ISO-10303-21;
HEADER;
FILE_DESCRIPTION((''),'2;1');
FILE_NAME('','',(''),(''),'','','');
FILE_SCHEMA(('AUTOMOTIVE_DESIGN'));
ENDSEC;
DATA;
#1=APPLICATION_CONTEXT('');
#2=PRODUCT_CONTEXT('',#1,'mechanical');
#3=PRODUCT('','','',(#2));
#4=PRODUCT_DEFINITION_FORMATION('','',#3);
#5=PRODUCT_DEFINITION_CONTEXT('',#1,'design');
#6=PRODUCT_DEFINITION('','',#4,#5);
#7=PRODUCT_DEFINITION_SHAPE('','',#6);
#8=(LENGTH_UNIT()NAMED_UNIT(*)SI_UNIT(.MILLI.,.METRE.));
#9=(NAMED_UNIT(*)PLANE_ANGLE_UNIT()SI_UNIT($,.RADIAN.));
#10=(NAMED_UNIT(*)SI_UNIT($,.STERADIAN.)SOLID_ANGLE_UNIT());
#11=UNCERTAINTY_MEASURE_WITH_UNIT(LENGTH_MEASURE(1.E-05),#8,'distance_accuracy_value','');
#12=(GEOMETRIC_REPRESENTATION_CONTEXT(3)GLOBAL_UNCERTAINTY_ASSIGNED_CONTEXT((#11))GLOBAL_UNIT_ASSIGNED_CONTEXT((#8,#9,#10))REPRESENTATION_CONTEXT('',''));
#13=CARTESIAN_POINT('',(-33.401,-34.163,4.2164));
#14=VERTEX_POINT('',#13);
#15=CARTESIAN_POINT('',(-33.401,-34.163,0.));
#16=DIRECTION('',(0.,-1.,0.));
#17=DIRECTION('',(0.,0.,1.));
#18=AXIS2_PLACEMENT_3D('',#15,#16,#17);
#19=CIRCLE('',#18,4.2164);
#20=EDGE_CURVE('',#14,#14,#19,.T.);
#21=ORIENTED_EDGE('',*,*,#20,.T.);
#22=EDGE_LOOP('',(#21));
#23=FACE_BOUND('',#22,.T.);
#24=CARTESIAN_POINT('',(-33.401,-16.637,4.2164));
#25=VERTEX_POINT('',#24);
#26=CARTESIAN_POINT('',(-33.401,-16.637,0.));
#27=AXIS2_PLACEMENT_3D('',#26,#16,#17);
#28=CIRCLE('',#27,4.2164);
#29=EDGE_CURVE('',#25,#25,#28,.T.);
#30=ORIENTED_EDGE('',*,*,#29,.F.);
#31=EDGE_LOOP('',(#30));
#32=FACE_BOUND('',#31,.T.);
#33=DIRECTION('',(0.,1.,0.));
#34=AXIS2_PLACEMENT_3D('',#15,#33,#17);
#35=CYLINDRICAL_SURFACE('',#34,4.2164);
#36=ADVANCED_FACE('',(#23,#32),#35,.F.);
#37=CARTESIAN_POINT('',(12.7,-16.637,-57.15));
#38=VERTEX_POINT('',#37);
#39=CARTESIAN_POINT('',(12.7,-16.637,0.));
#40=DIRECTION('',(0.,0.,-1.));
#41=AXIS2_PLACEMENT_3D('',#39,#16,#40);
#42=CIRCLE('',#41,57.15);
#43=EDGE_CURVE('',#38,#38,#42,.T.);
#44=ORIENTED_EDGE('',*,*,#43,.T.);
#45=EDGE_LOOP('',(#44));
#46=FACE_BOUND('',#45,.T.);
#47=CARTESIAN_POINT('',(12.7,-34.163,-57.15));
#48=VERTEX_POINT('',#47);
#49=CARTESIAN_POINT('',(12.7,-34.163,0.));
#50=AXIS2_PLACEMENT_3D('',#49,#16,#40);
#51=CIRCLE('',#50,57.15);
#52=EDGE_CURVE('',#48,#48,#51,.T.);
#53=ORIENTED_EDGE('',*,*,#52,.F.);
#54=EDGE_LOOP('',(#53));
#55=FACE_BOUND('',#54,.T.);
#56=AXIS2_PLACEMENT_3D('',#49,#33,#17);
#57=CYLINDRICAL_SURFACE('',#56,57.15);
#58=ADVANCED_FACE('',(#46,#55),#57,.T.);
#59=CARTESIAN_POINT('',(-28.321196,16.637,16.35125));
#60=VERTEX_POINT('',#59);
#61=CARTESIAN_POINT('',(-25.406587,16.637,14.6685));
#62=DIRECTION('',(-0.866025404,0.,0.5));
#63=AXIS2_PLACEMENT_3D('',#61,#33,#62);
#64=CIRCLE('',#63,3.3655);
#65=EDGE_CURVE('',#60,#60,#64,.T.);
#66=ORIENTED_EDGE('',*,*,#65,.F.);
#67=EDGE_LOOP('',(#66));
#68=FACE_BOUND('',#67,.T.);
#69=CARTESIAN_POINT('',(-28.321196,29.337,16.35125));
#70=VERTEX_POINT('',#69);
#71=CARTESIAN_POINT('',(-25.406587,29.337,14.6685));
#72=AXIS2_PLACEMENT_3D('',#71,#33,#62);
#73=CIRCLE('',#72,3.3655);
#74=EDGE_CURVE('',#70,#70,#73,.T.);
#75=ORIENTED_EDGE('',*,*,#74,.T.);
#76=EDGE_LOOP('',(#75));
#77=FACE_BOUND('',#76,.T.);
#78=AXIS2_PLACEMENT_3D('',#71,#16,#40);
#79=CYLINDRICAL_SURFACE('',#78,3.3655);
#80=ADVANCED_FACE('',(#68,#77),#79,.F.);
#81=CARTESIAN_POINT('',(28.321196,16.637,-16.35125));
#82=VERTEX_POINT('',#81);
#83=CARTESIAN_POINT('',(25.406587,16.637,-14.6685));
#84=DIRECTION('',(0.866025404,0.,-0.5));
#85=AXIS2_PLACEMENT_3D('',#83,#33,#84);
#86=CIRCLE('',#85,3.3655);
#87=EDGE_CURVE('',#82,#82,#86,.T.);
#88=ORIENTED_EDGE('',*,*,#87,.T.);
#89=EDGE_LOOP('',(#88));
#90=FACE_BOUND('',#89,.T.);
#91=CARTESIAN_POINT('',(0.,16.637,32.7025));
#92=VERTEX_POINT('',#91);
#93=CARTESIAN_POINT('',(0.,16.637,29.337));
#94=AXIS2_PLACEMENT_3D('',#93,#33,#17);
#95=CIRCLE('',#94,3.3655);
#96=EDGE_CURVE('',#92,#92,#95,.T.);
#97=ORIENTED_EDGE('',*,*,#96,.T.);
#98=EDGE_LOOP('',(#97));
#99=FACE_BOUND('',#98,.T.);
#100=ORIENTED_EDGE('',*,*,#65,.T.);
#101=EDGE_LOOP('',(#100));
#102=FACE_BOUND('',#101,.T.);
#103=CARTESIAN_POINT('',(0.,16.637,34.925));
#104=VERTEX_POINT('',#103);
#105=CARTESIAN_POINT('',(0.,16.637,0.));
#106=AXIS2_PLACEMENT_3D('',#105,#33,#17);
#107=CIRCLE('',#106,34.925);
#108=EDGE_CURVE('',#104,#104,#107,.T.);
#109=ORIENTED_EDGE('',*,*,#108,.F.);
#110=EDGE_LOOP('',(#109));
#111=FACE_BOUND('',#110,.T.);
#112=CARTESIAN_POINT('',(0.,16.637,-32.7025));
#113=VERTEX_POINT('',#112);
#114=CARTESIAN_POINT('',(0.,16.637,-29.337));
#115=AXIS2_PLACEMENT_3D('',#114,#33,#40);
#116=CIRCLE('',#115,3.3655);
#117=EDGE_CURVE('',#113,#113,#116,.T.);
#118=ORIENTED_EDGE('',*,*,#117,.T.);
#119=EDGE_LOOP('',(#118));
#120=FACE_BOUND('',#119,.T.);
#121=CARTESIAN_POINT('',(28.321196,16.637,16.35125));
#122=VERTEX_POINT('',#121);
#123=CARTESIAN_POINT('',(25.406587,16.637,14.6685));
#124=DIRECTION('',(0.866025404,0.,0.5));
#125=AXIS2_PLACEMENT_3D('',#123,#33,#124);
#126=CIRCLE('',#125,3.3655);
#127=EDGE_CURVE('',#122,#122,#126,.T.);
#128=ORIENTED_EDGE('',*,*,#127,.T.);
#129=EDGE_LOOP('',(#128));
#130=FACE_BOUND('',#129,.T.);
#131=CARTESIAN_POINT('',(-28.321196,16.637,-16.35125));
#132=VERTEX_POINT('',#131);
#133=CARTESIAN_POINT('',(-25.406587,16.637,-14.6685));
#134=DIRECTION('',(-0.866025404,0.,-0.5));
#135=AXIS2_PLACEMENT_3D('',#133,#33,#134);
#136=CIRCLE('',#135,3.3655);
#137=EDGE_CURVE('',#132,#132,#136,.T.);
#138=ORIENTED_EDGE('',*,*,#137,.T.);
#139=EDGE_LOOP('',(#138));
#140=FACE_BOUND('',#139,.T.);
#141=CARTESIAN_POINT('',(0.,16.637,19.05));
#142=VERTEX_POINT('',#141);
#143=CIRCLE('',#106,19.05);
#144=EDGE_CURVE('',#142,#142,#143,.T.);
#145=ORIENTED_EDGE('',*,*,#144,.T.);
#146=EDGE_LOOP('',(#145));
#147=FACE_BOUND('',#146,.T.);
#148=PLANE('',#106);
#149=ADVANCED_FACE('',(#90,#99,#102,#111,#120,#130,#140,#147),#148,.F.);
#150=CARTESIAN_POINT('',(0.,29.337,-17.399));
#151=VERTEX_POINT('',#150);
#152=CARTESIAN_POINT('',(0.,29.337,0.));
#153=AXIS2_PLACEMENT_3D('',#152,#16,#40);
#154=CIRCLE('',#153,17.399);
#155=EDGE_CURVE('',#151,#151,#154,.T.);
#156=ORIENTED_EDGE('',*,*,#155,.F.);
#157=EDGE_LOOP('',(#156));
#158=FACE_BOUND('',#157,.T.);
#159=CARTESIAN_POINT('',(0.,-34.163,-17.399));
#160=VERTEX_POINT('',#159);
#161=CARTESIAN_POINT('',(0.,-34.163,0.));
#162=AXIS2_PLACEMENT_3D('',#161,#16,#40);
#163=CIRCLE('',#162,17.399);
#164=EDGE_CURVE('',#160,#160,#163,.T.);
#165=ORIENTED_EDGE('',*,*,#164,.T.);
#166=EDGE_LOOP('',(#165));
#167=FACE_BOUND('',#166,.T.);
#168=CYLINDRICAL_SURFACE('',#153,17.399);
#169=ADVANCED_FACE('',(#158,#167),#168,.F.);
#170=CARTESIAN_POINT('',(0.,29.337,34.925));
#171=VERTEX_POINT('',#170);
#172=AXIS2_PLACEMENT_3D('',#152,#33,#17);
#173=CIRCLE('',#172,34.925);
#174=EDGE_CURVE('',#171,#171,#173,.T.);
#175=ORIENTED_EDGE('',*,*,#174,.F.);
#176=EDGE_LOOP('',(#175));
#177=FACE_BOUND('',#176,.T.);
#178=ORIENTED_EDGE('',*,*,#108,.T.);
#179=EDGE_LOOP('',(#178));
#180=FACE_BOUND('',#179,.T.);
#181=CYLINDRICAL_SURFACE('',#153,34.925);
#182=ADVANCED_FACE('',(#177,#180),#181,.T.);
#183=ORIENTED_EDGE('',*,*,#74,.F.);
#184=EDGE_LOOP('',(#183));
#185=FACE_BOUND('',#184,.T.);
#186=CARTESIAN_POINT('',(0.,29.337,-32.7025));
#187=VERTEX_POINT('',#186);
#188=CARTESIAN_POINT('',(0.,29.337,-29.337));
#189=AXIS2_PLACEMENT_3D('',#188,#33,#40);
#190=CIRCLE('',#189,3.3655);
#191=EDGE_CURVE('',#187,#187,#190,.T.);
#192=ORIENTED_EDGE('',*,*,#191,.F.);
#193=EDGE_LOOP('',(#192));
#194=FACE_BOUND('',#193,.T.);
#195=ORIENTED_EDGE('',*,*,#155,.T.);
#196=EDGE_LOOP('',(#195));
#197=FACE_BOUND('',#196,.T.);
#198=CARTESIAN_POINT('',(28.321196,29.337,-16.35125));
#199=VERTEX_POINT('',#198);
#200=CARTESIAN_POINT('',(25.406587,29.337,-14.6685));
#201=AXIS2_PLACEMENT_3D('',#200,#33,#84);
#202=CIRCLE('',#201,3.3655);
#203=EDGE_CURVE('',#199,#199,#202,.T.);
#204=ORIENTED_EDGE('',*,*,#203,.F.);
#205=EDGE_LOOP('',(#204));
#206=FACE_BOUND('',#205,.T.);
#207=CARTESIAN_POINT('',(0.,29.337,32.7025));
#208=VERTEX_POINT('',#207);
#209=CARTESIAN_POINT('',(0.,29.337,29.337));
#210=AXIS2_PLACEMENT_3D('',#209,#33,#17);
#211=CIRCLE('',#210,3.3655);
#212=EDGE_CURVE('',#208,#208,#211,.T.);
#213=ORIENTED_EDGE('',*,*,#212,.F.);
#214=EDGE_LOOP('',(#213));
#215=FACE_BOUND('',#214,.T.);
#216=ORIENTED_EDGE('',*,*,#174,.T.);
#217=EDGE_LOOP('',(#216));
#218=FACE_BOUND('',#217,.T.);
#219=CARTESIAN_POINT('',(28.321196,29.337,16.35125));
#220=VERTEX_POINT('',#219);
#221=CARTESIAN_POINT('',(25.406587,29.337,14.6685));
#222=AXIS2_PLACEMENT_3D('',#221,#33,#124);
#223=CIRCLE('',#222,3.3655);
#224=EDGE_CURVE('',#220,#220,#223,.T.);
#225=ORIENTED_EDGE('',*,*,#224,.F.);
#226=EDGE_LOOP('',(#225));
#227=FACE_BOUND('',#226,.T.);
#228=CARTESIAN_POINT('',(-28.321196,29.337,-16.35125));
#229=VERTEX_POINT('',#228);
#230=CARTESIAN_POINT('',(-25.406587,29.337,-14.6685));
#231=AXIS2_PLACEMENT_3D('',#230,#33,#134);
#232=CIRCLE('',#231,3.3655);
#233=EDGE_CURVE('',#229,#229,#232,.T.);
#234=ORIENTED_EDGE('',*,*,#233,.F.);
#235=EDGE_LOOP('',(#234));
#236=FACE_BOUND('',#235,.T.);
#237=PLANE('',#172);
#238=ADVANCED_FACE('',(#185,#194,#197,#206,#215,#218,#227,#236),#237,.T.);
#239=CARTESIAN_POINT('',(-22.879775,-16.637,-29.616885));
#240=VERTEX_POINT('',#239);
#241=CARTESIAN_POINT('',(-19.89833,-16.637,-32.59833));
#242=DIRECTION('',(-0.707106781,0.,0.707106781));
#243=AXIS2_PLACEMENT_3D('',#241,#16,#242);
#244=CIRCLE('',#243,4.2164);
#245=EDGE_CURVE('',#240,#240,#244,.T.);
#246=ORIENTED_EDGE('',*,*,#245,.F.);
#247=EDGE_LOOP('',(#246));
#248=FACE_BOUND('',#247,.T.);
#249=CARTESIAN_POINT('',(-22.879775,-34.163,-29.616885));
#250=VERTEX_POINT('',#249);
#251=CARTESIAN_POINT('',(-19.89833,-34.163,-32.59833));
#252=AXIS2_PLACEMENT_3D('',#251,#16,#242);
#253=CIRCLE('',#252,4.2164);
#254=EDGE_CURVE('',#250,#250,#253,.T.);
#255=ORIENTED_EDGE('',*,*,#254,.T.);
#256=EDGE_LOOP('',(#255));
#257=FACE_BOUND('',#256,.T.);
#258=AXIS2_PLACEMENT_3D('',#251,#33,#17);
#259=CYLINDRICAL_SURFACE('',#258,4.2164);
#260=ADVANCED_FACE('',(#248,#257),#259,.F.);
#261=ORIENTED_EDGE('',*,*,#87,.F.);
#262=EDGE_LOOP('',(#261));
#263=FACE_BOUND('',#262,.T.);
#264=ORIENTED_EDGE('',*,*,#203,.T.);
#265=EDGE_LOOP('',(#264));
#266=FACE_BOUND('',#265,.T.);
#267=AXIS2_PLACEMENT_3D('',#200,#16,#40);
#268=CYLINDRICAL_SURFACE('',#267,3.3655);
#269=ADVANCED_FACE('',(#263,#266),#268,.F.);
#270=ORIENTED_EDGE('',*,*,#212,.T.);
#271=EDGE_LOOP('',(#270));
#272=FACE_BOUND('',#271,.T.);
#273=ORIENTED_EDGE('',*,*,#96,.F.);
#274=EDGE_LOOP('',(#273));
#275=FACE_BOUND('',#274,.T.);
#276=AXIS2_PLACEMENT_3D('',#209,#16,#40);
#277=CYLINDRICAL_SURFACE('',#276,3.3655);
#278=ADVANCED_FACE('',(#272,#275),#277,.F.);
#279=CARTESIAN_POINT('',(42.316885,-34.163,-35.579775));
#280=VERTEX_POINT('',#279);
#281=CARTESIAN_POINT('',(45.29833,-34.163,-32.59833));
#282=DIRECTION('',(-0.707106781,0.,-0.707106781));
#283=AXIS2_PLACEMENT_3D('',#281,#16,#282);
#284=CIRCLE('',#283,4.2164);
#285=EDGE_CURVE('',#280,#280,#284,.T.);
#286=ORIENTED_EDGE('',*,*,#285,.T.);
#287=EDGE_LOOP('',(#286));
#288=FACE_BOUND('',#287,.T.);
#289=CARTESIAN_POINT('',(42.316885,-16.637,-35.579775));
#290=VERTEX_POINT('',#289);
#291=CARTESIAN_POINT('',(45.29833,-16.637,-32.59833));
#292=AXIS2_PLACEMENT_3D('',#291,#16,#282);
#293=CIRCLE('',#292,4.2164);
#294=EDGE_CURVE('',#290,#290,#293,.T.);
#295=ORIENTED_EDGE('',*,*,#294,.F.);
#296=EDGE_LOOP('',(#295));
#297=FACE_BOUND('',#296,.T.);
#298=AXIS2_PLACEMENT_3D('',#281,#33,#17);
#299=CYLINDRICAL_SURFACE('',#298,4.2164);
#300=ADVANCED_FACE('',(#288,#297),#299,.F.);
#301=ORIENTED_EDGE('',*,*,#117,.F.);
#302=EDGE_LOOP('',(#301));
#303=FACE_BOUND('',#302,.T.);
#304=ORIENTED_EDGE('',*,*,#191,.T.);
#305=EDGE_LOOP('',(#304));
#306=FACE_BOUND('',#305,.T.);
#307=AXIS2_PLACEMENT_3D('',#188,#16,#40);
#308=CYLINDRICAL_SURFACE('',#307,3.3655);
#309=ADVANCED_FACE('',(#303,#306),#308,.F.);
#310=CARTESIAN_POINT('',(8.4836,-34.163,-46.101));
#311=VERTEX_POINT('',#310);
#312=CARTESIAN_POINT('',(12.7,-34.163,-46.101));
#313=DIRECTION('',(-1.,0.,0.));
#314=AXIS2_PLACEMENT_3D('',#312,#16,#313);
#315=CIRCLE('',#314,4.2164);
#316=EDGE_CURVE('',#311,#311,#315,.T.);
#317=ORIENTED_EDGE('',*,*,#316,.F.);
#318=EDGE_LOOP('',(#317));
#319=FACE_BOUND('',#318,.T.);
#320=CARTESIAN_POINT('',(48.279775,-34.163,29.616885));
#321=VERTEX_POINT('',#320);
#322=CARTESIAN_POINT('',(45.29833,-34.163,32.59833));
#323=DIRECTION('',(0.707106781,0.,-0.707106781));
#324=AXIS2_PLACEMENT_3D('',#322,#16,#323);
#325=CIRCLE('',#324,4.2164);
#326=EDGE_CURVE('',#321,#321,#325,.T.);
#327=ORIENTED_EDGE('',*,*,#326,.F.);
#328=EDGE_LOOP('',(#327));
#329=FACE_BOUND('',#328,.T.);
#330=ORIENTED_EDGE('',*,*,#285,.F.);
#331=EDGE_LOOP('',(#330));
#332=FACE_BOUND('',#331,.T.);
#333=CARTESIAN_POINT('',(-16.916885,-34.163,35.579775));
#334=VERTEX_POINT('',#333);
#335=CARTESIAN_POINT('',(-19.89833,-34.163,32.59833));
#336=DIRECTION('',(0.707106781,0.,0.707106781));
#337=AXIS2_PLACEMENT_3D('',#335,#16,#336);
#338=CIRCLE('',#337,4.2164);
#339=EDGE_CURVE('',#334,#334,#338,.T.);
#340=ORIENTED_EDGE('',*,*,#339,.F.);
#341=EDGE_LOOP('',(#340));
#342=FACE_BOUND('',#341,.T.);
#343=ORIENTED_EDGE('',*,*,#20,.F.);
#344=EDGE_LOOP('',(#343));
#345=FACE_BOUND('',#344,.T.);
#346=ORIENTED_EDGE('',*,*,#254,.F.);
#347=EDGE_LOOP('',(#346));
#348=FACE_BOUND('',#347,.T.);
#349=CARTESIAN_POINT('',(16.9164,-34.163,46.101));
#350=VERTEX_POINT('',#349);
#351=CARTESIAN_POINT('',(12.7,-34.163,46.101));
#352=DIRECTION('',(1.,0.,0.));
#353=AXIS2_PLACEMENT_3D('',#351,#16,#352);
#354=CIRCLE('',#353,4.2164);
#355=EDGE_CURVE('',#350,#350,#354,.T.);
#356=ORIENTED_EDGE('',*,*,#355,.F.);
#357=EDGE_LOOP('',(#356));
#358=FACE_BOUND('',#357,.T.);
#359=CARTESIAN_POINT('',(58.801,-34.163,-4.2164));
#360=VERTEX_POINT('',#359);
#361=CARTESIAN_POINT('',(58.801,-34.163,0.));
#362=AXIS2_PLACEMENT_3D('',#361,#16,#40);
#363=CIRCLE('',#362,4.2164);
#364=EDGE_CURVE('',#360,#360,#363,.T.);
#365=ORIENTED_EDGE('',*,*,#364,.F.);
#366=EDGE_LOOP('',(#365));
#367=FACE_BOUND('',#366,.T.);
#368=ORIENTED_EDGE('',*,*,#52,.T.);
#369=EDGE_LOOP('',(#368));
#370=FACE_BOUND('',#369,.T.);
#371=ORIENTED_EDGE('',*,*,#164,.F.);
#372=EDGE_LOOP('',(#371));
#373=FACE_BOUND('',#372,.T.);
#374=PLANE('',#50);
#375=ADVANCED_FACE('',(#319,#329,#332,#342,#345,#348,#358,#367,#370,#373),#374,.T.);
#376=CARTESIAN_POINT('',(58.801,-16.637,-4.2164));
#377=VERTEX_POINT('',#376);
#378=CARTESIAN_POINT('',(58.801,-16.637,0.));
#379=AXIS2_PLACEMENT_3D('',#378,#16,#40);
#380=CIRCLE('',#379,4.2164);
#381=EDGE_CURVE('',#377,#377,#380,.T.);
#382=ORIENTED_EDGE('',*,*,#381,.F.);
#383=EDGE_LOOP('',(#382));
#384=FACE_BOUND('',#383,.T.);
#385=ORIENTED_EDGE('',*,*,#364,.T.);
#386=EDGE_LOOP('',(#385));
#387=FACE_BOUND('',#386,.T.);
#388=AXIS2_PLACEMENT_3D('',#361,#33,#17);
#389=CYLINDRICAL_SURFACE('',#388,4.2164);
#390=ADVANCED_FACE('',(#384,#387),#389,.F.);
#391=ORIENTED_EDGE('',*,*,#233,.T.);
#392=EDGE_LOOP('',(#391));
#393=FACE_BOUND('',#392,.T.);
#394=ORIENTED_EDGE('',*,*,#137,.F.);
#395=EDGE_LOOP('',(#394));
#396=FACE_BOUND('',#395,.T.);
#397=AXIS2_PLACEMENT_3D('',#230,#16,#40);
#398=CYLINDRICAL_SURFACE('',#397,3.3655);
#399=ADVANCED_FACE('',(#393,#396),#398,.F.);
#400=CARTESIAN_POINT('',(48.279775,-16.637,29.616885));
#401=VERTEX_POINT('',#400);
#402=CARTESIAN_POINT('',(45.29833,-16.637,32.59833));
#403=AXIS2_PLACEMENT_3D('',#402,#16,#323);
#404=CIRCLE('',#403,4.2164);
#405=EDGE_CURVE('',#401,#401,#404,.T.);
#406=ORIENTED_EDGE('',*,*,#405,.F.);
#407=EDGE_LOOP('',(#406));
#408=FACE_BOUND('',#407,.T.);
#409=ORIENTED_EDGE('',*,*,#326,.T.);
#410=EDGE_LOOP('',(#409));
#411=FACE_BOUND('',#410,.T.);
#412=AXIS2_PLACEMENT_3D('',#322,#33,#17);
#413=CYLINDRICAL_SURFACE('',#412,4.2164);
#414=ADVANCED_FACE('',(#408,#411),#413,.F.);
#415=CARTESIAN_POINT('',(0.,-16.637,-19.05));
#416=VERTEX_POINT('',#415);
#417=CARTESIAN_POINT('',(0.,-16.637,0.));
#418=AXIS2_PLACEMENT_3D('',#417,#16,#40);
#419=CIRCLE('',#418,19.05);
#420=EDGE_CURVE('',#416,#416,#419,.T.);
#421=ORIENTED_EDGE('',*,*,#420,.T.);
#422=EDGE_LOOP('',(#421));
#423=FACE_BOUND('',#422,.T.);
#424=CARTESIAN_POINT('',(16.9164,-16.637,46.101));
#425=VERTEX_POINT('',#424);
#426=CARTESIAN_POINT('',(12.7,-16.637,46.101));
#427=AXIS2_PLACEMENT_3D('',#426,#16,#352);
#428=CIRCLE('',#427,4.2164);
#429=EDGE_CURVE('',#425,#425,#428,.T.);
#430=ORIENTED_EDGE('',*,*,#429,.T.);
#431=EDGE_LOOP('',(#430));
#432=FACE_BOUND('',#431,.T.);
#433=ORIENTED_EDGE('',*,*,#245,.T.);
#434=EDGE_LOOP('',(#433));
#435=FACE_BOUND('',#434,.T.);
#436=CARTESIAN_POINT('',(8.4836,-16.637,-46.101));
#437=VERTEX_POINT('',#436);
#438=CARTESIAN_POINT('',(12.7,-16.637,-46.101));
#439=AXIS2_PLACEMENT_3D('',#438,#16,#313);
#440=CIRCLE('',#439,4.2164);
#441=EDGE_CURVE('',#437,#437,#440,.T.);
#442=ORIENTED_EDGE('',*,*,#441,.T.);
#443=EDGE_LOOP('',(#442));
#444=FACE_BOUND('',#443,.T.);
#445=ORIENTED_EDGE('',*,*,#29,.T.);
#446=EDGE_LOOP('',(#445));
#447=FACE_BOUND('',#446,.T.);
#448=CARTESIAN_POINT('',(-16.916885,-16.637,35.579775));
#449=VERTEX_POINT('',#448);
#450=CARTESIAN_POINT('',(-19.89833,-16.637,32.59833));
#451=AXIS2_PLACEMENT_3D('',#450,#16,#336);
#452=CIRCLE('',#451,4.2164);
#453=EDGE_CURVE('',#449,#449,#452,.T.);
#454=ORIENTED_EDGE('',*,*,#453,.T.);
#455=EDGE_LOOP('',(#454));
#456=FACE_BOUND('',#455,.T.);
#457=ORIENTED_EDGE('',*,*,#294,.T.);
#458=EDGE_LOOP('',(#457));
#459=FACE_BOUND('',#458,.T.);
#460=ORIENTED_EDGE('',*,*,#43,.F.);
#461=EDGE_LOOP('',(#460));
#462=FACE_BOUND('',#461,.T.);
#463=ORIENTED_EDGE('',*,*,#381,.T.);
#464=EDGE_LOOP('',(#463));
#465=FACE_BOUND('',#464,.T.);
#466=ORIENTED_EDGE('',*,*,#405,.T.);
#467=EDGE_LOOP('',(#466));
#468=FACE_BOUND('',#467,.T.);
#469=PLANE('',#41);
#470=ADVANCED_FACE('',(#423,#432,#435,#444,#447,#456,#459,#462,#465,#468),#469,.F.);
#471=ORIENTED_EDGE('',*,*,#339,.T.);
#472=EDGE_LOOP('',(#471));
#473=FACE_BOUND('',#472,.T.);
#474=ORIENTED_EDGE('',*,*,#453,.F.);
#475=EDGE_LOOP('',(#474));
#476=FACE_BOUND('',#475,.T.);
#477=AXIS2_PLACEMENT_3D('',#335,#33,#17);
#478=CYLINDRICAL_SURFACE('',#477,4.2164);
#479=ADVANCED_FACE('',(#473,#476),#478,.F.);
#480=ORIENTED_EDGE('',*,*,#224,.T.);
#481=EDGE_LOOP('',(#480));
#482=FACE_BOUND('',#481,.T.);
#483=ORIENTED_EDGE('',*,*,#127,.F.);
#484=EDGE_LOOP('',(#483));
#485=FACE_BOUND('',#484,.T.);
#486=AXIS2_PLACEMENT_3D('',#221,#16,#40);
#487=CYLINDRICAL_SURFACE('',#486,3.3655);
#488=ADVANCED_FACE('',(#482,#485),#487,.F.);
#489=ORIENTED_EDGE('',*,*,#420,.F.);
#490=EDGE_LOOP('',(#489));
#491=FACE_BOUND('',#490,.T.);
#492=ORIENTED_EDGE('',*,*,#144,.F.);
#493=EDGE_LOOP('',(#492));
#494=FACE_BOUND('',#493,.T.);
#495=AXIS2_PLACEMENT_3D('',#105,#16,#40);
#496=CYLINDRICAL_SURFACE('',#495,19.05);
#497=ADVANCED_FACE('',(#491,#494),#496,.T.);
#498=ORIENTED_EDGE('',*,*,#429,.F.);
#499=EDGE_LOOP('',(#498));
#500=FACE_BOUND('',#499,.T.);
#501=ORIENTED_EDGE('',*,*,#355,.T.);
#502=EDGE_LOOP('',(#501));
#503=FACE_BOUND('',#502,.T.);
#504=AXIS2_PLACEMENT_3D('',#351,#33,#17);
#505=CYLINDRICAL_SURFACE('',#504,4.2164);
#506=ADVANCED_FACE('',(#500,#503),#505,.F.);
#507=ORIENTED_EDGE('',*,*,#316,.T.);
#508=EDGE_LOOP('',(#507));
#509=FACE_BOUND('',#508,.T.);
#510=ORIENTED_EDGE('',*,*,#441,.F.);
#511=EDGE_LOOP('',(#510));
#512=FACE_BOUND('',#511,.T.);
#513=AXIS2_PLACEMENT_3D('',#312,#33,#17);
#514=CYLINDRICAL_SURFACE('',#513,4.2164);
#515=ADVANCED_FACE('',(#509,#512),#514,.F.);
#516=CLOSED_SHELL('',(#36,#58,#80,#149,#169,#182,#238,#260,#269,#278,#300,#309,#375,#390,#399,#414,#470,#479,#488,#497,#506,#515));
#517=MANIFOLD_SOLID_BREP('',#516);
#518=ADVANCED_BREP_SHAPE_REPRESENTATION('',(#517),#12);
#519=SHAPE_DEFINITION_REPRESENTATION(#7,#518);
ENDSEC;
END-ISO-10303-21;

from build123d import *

# Parameters (mm, degrees)
SKETCH1_R               = 19.05
EXTRUDE1_DEPTH          = 16.637
SKETCH4_R               = 34.925
EXTRUDE2_DEPTH          = 12.7
SKETCH6_R               = 57.15
EXTRUDE3_DEPTH          = 17.526
CUT_EXTRUDE1_DEPTH      = 102.285505755
CUT_EXTRUDE1_DEPTH_BACK = 102.285505755
SKETCH7_R               = 17.399
SKETCH8_R               = 3.3655
CUT_EXTRUDE2_DEPTH      = 12.7
CIRPATTERN1_COUNT       = 6
SKETCH9_R               = 4.2164
CUT_EXTRUDE3_DEPTH      = 17.526
CIRPATTERN2_COUNT       = 8


with BuildPart() as part:
    # Sketch1 → Extrude1 (new, symmetric)
    with BuildSketch(Plane(origin=(0, 0, 0), x_dir=(1, 0, 0), z_dir=(0, 1, 0))):
        Circle(SKETCH1_R)
    extrude(amount=EXTRUDE1_DEPTH, both=True)

    # Sketch4 → Extrude2 (add)
    with BuildSketch(Plane(origin=(0, 16.637, 0), x_dir=(-1, 0, 0), z_dir=(0, 1, 0))):
        Circle(SKETCH4_R)
    extrude(amount=EXTRUDE2_DEPTH)

    # Sketch6 → Extrude3 (add)
    with BuildSketch(Plane.XZ.offset(16.637)):
        with Locations((12.7, 0)):
            Circle(SKETCH6_R)
    extrude(amount=EXTRUDE3_DEPTH)

    # Sketch7 → Cut-Extrude1 (cut, two sides: drawn at the far end of the back side and taken through both)
    with BuildSketch(Plane.XZ.offset(16.637).offset(-CUT_EXTRUDE1_DEPTH_BACK)):
        Circle(SKETCH7_R)
    extrude(amount=CUT_EXTRUDE1_DEPTH + CUT_EXTRUDE1_DEPTH_BACK, mode=Mode.SUBTRACT)

    # Sketch8 → Cut-Extrude2 (cut)
    with BuildSketch(Plane(origin=(0, 16.637, 0), x_dir=(-1, 0, 0), z_dir=(0, 1, 0))):
        with Locations((0, 29.337)):
            Circle(SKETCH8_R)
    cut_extrude2 = extrude(amount=CUT_EXTRUDE2_DEPTH, mode=Mode.SUBTRACT)

    # CirPattern1: Cut-Extrude2 ×6 about axis
    cirpattern1_axis = Axis((0, 69.04565356, 0), (0, -1, 0))
    for i in range(1, CIRPATTERN1_COUNT):
        add(cut_extrude2.rotate(cirpattern1_axis, i * 360 / CIRPATTERN1_COUNT), mode=Mode.SUBTRACT)

    # Sketch9 → Cut-Extrude3 (cut)
    with BuildSketch(Plane.XZ.offset(16.637)):
        with Locations((12.7, 46.101)):
            Circle(SKETCH9_R)
    cut_extrude3 = extrude(amount=CUT_EXTRUDE3_DEPTH, mode=Mode.SUBTRACT)

    # CirPattern2: Cut-Extrude3 ×8 about axis
    cirpattern2_axis = Axis((12.7, -85.68265356, 0), (0, 1, 0))
    for i in range(1, CIRPATTERN2_COUNT):
        add(cut_extrude3.rotate(cirpattern2_axis, i * 360 / CIRPATTERN2_COUNT), mode=Mode.SUBTRACT)


solid = part.part
